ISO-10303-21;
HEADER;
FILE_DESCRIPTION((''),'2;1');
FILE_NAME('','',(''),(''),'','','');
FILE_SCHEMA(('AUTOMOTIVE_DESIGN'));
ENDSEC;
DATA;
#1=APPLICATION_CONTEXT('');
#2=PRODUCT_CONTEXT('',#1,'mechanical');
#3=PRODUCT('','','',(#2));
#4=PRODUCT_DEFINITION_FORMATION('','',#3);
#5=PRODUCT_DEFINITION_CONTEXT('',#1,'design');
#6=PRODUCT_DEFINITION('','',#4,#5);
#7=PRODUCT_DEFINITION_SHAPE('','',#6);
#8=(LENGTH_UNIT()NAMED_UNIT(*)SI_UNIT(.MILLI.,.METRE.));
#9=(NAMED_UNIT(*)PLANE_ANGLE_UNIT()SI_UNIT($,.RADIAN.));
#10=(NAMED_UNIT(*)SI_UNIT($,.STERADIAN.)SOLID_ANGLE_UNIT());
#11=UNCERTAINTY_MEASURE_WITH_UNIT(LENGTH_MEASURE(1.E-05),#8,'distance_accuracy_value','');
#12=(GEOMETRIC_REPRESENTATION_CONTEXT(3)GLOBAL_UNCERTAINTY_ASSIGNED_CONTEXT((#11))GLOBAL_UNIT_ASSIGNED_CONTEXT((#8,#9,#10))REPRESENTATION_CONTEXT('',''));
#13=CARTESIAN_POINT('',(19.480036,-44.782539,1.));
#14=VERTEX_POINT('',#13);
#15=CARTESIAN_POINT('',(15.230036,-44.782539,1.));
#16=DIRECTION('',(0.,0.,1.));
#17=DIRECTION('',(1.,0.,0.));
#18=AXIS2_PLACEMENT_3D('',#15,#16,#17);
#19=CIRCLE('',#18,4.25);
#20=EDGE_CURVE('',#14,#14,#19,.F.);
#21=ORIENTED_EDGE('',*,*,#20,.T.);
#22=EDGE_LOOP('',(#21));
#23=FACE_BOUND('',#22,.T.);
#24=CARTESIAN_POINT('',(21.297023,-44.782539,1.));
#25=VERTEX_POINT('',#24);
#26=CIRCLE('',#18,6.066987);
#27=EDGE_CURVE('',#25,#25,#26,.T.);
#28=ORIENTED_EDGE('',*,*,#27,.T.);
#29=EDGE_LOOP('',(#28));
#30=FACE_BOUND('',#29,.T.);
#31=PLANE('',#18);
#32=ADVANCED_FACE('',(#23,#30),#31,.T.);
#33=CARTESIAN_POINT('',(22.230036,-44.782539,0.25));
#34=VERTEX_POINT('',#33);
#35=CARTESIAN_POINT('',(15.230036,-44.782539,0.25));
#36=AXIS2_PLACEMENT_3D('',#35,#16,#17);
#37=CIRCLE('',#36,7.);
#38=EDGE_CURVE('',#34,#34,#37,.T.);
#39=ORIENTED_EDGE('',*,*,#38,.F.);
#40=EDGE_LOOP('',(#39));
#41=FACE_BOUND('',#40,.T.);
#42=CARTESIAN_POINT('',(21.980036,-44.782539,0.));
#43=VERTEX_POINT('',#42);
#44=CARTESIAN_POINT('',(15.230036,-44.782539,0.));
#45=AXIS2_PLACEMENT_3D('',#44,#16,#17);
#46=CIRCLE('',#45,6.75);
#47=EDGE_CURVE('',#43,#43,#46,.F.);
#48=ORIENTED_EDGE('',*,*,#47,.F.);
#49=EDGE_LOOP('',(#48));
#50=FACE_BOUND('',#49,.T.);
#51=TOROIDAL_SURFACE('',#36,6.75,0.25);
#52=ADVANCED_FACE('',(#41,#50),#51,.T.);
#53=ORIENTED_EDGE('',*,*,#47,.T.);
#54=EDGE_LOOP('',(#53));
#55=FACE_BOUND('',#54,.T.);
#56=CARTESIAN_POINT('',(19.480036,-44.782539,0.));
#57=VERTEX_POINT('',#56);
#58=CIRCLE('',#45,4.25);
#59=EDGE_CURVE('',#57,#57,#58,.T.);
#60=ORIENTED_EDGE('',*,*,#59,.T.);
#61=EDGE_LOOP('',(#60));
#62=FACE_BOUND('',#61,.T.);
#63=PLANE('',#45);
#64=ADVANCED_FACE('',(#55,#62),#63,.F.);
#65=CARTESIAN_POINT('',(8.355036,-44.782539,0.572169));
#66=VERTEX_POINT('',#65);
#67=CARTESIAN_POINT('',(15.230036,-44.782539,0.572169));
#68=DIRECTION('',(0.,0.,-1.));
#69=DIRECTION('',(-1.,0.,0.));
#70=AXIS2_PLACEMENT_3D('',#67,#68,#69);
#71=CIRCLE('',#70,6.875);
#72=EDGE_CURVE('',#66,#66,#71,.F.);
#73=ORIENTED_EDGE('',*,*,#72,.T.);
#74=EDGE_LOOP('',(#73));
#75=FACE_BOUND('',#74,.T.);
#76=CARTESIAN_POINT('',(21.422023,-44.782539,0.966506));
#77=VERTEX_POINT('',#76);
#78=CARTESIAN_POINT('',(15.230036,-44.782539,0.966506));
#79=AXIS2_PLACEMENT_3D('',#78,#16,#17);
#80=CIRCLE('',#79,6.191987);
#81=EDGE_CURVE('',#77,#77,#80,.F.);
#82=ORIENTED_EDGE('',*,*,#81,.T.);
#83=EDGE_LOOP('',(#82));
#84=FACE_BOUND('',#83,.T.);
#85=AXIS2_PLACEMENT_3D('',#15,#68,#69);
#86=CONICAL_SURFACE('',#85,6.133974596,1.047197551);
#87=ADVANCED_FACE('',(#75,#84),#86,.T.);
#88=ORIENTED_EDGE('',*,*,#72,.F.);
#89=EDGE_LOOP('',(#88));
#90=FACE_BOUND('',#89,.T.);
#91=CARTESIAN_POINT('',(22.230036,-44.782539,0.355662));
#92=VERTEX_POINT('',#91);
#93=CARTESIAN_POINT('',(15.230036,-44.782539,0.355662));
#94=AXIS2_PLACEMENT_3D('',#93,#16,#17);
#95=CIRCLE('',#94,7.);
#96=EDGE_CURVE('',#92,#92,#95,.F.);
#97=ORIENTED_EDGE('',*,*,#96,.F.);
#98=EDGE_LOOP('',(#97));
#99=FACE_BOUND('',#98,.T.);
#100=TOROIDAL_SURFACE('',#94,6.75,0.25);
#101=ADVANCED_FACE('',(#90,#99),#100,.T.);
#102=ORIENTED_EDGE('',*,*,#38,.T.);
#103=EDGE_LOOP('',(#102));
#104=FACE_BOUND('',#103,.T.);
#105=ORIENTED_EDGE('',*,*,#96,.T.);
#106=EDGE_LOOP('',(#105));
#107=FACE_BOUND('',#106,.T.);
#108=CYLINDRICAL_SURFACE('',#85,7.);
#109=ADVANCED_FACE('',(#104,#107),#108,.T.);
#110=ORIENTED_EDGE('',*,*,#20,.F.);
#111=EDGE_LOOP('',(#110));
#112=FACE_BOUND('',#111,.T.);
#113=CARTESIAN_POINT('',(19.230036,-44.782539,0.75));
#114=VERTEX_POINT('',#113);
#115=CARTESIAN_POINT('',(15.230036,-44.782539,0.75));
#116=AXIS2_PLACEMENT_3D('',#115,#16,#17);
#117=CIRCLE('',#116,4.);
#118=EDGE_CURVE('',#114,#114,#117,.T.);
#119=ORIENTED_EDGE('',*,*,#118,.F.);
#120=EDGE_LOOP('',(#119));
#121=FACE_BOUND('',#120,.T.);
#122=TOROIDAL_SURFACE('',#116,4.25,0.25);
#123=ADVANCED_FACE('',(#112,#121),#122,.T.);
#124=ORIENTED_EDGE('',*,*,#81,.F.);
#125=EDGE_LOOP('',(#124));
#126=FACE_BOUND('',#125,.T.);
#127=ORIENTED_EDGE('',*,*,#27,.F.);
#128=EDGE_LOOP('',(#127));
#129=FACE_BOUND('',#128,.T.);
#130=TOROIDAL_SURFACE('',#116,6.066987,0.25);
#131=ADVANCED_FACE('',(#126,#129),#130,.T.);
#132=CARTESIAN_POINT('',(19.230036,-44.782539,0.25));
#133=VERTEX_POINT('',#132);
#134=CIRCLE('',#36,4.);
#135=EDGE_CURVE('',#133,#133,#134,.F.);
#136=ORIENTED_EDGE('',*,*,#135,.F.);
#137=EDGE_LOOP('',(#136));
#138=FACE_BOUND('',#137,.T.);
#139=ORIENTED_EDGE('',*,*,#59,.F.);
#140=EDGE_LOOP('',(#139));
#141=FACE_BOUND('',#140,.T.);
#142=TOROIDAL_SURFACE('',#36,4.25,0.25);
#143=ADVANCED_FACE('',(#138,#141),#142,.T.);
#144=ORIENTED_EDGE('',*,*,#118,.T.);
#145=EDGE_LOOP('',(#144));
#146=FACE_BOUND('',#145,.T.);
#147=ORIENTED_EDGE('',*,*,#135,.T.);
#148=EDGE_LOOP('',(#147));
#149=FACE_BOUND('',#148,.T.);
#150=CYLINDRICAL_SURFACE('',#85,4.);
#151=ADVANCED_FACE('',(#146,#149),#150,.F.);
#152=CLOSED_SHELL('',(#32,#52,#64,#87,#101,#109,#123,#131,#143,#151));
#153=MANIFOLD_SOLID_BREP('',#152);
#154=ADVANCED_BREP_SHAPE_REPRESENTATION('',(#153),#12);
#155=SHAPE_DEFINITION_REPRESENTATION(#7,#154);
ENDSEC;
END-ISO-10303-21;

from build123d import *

# Parameters (mm, degrees)
SKETCH1_R           = 7
SKETCH1_R_2         = 4
BOSS_EXTRUDE1_DEPTH = 1
CHAMFER1_SIZE       = 0.5
CHAMFER1_SIZE2      = 0.866025404
FILLET1_R           = 0.25


with BuildPart() as part:
    # Sketch1 → Boss-Extrude1 (new body)
    with BuildSketch(Plane.XY):
        with Locations((15.2300359, -44.782538686)):
            Circle(SKETCH1_R)
        with Locations((15.2300359, -44.782538686)):
            Circle(SKETCH1_R_2, mode=Mode.SUBTRACT)
    extrude(amount=BOSS_EXTRUDE1_DEPTH)

    # Chamfer1
    chamfer1_edges = [part.edges().sort_by_distance(p)[0] for p in [
        (8.2300359, -44.782538686, 1),
    ]]
    chamfer1_side = [part.faces().sort_by_distance(p)[0] for p in [
        (8.2300359, -44.782538686, 0.5),
    ]]
    chamfer(chamfer1_edges, length=CHAMFER1_SIZE, length2=CHAMFER1_SIZE2, reference=chamfer1_side[0])

    # Fillet1
    fillet1_edges = [part.edges().sort_by_distance(p)[0] for p in [
        (8.2300359, -44.782538686, 0),
        (11.2300359, -44.782538686, 0),
        (11.2300359, -44.782538686, 1),
        (9.096061304, -44.782538686, 1),
        (8.2300359, -44.782538686, 0.5),
    ]]
    fillet(fillet1_edges, radius=FILLET1_R)


solid = part.part
